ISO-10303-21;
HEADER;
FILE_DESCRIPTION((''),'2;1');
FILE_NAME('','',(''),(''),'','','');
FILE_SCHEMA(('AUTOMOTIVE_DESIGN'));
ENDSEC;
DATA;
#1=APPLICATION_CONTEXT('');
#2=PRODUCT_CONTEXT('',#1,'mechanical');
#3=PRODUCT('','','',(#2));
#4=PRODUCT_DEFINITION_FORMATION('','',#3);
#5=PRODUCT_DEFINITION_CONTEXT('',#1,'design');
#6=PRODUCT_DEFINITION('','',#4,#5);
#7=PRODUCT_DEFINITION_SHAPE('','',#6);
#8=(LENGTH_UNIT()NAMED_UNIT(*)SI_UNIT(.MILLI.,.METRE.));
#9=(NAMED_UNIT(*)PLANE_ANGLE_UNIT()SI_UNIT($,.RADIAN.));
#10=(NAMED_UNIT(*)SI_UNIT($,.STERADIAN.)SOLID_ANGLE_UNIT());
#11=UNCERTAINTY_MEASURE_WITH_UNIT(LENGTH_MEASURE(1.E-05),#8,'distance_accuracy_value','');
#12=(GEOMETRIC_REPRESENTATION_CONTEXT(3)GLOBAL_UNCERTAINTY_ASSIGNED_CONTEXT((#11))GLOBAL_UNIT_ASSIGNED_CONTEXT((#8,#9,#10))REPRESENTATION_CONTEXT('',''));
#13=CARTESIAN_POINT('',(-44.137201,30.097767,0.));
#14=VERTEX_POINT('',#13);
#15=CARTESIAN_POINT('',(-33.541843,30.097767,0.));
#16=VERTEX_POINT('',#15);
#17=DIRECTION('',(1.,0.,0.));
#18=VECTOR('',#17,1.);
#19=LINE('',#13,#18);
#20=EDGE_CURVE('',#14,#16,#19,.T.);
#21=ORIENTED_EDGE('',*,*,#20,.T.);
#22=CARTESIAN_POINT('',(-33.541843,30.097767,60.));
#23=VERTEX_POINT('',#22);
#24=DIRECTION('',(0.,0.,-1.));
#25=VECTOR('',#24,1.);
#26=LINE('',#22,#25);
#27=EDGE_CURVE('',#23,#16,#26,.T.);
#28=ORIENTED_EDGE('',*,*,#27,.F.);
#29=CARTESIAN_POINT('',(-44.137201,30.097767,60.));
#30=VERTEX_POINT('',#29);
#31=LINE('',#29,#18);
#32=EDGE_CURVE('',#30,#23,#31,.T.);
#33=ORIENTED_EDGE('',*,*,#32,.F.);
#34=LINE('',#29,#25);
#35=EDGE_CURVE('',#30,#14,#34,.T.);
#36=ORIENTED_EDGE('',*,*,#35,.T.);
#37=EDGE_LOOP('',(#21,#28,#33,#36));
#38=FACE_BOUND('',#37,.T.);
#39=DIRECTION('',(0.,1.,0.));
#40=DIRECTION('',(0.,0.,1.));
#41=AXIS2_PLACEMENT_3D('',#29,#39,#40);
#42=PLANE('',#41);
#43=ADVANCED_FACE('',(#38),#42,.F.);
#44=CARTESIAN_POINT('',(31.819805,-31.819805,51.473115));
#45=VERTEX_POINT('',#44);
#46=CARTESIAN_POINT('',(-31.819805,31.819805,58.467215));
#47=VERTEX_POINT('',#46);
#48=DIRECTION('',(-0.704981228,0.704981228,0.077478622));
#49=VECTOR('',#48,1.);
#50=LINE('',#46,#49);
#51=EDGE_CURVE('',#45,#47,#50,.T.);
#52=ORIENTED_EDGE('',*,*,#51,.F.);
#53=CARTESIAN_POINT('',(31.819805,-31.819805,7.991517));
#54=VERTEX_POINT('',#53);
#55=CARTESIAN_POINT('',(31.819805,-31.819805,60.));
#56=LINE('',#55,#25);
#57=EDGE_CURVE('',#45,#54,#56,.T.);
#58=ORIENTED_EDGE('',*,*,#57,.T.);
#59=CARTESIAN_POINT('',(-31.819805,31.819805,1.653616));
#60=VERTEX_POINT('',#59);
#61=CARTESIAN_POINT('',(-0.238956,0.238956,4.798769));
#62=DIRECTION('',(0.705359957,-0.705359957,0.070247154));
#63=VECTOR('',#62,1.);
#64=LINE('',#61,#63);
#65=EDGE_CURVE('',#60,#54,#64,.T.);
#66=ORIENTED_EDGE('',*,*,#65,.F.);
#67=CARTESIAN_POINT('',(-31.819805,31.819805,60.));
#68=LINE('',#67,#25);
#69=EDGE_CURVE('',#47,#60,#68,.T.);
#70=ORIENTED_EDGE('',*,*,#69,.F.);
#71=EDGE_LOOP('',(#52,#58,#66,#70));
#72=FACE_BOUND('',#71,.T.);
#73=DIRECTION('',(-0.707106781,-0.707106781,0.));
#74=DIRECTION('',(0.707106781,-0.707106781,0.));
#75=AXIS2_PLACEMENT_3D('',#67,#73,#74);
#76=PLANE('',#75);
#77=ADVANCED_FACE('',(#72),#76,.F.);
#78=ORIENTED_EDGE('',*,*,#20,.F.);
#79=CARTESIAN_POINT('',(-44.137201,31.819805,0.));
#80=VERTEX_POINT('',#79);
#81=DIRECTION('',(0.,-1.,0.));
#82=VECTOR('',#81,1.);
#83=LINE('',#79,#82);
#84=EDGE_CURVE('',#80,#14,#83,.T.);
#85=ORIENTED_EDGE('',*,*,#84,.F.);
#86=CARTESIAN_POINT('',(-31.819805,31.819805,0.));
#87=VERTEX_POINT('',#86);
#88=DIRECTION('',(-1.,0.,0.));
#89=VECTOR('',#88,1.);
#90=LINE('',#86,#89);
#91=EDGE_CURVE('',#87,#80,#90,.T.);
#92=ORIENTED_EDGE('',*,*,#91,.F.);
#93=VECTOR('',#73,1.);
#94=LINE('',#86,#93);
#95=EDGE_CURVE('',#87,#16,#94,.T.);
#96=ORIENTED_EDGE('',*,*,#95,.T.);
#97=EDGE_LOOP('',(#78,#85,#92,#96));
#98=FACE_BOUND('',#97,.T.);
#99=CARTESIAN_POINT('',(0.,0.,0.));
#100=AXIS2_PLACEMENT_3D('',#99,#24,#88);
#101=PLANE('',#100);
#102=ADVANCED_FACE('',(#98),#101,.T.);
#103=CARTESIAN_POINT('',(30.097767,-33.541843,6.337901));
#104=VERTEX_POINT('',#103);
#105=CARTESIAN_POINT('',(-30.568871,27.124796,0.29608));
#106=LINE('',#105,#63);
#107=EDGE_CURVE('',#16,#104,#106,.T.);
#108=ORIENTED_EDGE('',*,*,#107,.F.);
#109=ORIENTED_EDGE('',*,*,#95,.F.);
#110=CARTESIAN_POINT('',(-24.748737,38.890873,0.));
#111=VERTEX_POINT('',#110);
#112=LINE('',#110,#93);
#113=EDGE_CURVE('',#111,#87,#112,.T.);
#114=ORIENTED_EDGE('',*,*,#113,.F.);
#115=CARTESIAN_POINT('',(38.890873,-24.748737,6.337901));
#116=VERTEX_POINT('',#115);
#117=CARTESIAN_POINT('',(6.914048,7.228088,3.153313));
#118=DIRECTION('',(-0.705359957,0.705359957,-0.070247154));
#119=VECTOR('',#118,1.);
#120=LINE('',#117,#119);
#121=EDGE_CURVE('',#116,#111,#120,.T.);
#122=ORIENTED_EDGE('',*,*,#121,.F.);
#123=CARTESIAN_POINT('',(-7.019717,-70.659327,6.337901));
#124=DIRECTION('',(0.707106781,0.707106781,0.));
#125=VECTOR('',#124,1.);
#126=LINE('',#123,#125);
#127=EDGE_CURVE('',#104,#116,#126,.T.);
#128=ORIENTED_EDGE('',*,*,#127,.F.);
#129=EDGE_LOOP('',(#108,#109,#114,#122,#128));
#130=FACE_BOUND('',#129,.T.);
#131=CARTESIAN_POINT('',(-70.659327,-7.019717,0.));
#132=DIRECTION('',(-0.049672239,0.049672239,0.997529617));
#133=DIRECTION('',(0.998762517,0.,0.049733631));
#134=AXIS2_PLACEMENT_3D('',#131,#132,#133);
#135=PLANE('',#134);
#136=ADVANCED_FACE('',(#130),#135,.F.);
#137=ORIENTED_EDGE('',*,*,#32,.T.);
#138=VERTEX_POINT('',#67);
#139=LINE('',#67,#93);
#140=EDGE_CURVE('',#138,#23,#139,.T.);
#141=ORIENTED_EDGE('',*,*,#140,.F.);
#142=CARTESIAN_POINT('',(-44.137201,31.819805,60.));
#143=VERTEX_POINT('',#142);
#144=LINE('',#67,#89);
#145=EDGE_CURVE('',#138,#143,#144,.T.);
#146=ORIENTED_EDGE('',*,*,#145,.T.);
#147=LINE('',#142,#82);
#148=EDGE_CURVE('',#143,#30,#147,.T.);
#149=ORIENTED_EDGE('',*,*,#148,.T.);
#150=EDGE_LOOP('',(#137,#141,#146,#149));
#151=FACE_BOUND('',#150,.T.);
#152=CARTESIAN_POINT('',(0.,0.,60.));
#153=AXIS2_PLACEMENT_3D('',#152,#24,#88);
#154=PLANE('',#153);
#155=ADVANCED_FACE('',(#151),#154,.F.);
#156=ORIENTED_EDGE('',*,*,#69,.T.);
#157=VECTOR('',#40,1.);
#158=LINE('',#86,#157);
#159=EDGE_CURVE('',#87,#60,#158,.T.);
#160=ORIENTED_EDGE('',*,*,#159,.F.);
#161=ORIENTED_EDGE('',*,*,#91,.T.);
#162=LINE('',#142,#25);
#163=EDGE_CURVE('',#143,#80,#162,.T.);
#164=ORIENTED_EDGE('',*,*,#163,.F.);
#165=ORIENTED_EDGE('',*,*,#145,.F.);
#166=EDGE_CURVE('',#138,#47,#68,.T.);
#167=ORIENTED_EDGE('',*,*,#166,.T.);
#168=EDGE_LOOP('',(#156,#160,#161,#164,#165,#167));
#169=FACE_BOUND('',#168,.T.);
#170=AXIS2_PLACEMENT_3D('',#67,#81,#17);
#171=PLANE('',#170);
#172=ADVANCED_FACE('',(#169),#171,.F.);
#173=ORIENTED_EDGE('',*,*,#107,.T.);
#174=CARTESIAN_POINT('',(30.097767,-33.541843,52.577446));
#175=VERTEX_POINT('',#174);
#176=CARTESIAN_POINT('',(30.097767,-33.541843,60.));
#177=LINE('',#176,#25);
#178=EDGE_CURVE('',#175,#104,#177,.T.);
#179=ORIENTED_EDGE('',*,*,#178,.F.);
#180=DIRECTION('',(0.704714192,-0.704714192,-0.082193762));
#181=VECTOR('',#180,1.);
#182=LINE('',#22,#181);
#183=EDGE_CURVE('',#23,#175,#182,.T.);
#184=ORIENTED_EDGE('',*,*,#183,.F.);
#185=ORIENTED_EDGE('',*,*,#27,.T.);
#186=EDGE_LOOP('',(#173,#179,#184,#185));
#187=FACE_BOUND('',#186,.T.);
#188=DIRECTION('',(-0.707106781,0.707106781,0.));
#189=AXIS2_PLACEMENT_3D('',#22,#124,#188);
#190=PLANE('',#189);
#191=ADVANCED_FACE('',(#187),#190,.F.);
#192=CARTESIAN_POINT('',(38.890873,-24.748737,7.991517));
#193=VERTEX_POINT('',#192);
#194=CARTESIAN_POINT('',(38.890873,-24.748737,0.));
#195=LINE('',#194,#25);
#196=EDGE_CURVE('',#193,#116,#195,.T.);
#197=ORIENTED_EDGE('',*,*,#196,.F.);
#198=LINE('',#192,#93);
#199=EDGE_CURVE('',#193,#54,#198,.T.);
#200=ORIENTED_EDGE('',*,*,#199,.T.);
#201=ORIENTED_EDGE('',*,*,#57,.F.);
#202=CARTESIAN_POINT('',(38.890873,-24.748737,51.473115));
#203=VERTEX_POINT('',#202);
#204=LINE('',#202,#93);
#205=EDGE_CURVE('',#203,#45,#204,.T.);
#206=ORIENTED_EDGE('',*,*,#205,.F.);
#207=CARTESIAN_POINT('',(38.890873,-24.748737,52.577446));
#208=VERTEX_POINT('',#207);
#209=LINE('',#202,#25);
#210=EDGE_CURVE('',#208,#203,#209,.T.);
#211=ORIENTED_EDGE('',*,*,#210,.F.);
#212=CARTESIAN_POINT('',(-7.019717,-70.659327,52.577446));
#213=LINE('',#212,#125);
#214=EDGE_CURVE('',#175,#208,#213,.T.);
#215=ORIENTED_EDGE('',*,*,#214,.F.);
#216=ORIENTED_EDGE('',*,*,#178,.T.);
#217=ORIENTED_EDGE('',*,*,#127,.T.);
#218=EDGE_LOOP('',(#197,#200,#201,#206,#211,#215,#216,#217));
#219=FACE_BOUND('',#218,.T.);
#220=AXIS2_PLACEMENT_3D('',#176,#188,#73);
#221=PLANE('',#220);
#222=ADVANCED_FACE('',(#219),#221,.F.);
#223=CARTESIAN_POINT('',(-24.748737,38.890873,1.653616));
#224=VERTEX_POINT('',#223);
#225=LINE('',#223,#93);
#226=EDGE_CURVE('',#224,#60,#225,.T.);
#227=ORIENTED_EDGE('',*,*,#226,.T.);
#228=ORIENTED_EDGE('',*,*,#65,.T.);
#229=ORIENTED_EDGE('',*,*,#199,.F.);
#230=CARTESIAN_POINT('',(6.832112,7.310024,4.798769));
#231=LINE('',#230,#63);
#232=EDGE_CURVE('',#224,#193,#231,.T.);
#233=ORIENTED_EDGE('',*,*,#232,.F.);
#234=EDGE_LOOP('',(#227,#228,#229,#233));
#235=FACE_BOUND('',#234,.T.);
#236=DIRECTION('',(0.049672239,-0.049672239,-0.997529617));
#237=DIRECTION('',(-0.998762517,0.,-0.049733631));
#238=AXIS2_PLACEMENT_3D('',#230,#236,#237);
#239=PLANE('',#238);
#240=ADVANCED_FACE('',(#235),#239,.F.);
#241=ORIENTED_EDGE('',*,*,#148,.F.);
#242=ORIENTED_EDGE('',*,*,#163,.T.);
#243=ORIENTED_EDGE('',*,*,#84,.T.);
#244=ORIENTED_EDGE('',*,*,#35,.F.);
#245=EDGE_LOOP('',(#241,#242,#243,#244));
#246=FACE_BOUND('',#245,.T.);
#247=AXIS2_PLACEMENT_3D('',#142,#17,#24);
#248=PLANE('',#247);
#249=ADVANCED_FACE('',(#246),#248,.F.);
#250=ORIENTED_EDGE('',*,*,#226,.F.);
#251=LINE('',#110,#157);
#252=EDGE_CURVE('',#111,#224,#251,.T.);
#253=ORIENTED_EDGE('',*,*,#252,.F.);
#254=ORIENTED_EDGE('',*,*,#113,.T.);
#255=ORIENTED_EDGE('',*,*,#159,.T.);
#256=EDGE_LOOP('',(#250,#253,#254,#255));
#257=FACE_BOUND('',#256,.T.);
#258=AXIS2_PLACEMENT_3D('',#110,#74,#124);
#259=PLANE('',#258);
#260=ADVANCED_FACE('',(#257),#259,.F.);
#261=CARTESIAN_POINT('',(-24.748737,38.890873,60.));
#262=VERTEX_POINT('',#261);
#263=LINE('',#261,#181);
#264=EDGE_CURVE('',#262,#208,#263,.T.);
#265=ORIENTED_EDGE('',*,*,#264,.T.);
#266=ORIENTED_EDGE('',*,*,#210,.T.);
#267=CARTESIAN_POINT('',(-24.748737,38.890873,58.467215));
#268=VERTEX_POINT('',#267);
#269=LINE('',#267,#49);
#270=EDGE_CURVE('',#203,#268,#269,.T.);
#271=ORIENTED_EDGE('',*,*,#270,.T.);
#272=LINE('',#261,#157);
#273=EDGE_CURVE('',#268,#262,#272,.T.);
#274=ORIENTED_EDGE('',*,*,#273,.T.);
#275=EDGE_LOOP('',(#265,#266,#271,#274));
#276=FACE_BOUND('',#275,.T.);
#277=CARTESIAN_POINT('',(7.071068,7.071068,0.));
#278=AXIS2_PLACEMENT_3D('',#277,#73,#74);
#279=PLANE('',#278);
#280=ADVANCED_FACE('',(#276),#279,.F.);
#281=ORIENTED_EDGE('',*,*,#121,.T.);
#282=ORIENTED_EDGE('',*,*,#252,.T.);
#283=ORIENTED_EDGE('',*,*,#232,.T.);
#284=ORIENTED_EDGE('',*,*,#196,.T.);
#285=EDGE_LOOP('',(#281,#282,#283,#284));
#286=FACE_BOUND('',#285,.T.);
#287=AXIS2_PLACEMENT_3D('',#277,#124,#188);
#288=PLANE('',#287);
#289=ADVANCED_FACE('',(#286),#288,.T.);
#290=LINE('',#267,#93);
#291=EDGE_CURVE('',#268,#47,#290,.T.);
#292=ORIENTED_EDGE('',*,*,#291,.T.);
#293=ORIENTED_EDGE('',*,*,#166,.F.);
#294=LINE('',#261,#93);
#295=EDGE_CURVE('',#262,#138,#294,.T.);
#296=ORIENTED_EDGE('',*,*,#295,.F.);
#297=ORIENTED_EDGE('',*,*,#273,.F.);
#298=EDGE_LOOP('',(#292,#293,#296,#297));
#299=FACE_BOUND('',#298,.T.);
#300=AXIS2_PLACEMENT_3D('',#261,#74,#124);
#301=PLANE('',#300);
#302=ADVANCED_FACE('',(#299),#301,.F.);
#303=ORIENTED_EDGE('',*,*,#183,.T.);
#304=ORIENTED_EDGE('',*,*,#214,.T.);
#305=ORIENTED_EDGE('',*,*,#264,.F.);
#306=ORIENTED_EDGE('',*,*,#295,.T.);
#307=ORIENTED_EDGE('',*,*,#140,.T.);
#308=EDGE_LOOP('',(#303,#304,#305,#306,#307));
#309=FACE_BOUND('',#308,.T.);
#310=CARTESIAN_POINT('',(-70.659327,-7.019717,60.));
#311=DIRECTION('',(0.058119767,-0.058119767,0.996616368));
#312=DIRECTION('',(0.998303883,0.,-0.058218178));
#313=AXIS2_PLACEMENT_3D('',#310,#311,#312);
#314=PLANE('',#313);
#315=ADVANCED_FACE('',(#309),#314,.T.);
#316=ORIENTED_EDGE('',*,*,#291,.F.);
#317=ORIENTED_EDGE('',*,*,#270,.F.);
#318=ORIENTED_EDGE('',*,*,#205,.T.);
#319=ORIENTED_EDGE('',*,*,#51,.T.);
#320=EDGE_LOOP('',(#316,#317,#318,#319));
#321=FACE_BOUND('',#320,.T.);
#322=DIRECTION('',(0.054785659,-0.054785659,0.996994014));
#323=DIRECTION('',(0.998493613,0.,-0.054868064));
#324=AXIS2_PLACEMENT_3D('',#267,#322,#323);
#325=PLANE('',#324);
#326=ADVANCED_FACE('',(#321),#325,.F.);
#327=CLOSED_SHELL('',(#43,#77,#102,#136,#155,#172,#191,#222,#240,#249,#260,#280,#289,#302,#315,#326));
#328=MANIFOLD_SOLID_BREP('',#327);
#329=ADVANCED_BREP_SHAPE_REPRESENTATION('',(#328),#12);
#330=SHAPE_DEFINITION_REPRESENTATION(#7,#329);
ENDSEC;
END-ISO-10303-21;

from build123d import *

# Parameters (mm, degrees)
BOSS_EXTRUDE1_DEPTH          = 60
CUT_EXTRUDE_THIN3_DEPTH      = 82.68933693
CUT_EXTRUDE_THIN3_DEPTH_BACK = 82.68933693
CUT_EXTRUDE_THIN4_DEPTH      = 82.68933693
CUT_EXTRUDE_THIN4_DEPTH_BACK = 82.68933693
BOSS_EXTRUDE4_DEPTH          = 10
BOSS_EXTRUDE5_DEPTH          = 10


with BuildPart() as part:
    # Sketch1 → Boss-Extrude1 (new body)
    with BuildSketch(Plane.XY):
        Polygon((-31.819805153, 31.819805153), (31.819805153, -31.819805153), (30.097767276, -33.541843031), (-33.541843031, 30.097767276), (-44.137201249, 30.097767276), (-44.137201249, 31.819805153), align=None)
    extrude(amount=BOSS_EXTRUDE1_DEPTH)

    # Sketch6 → Cut-Extrude-Thin3 (cut, two sides: drawn at the far end of the back side and taken through both)
    with BuildSketch(Plane(origin=(0, 0, 0), x_dir=(0.7071067811865561, -0.7071067811865389, 0), z_dir=(0.7071067811865389, 0.7071067811865561, 0)).offset(-CUT_EXTRUDE_THIN3_DEPTH_BACK)):
        Polygon((-45, -60), (45, -52.5774462), (86.096881173, -550.885630317), (-3.903118827, -558.308184117), align=None)
    extrude(amount=CUT_EXTRUDE_THIN3_DEPTH + CUT_EXTRUDE_THIN3_DEPTH_BACK, mode=Mode.SUBTRACT)

    # Sketch7 → Cut-Extrude-Thin4 (cut, two sides: drawn at the far end of the back side and taken through both)
    with BuildSketch(Plane(origin=(0, 0, 0), x_dir=(0.7071067811865561, -0.7071067811865389, 0), z_dir=(0.7071067811865389, 0.7071067811865561, 0)).offset(-CUT_EXTRUDE_THIN4_DEPTH_BACK)):
        Polygon((-45, 0), (45, -6.337900888), (80.123576931, 492.426907757), (-9.876423069, 498.764808646), align=None)
    extrude(amount=CUT_EXTRUDE_THIN4_DEPTH + CUT_EXTRUDE_THIN4_DEPTH_BACK, mode=Mode.SUBTRACT)

    # Sketch8 → Boss-Extrude4 (add)
    with BuildSketch(Plane(origin=(0, 0, 0), x_dir=(0, 0, -1), z_dir=(0.7071067811865389, 0.7071067811865561, 0))):
        Polygon((-60, 45), (-58.467214774, 45), (-51.473114592, -45), (-52.5774462, -45), align=None)
    extrude(amount=BOSS_EXTRUDE4_DEPTH)

    # Sketch9 → Boss-Extrude5 (add)
    with BuildSketch(Plane(origin=(0, 0, 0), x_dir=(0, 0, -1), z_dir=(0.7071067811865389, 0.7071067811865561, 0))):
        Polygon((-6.337900888, -45), (0, 45), (-1.653616098, 45), (-7.991516987, -45), align=None)
    extrude(amount=BOSS_EXTRUDE5_DEPTH)


solid = part.part
